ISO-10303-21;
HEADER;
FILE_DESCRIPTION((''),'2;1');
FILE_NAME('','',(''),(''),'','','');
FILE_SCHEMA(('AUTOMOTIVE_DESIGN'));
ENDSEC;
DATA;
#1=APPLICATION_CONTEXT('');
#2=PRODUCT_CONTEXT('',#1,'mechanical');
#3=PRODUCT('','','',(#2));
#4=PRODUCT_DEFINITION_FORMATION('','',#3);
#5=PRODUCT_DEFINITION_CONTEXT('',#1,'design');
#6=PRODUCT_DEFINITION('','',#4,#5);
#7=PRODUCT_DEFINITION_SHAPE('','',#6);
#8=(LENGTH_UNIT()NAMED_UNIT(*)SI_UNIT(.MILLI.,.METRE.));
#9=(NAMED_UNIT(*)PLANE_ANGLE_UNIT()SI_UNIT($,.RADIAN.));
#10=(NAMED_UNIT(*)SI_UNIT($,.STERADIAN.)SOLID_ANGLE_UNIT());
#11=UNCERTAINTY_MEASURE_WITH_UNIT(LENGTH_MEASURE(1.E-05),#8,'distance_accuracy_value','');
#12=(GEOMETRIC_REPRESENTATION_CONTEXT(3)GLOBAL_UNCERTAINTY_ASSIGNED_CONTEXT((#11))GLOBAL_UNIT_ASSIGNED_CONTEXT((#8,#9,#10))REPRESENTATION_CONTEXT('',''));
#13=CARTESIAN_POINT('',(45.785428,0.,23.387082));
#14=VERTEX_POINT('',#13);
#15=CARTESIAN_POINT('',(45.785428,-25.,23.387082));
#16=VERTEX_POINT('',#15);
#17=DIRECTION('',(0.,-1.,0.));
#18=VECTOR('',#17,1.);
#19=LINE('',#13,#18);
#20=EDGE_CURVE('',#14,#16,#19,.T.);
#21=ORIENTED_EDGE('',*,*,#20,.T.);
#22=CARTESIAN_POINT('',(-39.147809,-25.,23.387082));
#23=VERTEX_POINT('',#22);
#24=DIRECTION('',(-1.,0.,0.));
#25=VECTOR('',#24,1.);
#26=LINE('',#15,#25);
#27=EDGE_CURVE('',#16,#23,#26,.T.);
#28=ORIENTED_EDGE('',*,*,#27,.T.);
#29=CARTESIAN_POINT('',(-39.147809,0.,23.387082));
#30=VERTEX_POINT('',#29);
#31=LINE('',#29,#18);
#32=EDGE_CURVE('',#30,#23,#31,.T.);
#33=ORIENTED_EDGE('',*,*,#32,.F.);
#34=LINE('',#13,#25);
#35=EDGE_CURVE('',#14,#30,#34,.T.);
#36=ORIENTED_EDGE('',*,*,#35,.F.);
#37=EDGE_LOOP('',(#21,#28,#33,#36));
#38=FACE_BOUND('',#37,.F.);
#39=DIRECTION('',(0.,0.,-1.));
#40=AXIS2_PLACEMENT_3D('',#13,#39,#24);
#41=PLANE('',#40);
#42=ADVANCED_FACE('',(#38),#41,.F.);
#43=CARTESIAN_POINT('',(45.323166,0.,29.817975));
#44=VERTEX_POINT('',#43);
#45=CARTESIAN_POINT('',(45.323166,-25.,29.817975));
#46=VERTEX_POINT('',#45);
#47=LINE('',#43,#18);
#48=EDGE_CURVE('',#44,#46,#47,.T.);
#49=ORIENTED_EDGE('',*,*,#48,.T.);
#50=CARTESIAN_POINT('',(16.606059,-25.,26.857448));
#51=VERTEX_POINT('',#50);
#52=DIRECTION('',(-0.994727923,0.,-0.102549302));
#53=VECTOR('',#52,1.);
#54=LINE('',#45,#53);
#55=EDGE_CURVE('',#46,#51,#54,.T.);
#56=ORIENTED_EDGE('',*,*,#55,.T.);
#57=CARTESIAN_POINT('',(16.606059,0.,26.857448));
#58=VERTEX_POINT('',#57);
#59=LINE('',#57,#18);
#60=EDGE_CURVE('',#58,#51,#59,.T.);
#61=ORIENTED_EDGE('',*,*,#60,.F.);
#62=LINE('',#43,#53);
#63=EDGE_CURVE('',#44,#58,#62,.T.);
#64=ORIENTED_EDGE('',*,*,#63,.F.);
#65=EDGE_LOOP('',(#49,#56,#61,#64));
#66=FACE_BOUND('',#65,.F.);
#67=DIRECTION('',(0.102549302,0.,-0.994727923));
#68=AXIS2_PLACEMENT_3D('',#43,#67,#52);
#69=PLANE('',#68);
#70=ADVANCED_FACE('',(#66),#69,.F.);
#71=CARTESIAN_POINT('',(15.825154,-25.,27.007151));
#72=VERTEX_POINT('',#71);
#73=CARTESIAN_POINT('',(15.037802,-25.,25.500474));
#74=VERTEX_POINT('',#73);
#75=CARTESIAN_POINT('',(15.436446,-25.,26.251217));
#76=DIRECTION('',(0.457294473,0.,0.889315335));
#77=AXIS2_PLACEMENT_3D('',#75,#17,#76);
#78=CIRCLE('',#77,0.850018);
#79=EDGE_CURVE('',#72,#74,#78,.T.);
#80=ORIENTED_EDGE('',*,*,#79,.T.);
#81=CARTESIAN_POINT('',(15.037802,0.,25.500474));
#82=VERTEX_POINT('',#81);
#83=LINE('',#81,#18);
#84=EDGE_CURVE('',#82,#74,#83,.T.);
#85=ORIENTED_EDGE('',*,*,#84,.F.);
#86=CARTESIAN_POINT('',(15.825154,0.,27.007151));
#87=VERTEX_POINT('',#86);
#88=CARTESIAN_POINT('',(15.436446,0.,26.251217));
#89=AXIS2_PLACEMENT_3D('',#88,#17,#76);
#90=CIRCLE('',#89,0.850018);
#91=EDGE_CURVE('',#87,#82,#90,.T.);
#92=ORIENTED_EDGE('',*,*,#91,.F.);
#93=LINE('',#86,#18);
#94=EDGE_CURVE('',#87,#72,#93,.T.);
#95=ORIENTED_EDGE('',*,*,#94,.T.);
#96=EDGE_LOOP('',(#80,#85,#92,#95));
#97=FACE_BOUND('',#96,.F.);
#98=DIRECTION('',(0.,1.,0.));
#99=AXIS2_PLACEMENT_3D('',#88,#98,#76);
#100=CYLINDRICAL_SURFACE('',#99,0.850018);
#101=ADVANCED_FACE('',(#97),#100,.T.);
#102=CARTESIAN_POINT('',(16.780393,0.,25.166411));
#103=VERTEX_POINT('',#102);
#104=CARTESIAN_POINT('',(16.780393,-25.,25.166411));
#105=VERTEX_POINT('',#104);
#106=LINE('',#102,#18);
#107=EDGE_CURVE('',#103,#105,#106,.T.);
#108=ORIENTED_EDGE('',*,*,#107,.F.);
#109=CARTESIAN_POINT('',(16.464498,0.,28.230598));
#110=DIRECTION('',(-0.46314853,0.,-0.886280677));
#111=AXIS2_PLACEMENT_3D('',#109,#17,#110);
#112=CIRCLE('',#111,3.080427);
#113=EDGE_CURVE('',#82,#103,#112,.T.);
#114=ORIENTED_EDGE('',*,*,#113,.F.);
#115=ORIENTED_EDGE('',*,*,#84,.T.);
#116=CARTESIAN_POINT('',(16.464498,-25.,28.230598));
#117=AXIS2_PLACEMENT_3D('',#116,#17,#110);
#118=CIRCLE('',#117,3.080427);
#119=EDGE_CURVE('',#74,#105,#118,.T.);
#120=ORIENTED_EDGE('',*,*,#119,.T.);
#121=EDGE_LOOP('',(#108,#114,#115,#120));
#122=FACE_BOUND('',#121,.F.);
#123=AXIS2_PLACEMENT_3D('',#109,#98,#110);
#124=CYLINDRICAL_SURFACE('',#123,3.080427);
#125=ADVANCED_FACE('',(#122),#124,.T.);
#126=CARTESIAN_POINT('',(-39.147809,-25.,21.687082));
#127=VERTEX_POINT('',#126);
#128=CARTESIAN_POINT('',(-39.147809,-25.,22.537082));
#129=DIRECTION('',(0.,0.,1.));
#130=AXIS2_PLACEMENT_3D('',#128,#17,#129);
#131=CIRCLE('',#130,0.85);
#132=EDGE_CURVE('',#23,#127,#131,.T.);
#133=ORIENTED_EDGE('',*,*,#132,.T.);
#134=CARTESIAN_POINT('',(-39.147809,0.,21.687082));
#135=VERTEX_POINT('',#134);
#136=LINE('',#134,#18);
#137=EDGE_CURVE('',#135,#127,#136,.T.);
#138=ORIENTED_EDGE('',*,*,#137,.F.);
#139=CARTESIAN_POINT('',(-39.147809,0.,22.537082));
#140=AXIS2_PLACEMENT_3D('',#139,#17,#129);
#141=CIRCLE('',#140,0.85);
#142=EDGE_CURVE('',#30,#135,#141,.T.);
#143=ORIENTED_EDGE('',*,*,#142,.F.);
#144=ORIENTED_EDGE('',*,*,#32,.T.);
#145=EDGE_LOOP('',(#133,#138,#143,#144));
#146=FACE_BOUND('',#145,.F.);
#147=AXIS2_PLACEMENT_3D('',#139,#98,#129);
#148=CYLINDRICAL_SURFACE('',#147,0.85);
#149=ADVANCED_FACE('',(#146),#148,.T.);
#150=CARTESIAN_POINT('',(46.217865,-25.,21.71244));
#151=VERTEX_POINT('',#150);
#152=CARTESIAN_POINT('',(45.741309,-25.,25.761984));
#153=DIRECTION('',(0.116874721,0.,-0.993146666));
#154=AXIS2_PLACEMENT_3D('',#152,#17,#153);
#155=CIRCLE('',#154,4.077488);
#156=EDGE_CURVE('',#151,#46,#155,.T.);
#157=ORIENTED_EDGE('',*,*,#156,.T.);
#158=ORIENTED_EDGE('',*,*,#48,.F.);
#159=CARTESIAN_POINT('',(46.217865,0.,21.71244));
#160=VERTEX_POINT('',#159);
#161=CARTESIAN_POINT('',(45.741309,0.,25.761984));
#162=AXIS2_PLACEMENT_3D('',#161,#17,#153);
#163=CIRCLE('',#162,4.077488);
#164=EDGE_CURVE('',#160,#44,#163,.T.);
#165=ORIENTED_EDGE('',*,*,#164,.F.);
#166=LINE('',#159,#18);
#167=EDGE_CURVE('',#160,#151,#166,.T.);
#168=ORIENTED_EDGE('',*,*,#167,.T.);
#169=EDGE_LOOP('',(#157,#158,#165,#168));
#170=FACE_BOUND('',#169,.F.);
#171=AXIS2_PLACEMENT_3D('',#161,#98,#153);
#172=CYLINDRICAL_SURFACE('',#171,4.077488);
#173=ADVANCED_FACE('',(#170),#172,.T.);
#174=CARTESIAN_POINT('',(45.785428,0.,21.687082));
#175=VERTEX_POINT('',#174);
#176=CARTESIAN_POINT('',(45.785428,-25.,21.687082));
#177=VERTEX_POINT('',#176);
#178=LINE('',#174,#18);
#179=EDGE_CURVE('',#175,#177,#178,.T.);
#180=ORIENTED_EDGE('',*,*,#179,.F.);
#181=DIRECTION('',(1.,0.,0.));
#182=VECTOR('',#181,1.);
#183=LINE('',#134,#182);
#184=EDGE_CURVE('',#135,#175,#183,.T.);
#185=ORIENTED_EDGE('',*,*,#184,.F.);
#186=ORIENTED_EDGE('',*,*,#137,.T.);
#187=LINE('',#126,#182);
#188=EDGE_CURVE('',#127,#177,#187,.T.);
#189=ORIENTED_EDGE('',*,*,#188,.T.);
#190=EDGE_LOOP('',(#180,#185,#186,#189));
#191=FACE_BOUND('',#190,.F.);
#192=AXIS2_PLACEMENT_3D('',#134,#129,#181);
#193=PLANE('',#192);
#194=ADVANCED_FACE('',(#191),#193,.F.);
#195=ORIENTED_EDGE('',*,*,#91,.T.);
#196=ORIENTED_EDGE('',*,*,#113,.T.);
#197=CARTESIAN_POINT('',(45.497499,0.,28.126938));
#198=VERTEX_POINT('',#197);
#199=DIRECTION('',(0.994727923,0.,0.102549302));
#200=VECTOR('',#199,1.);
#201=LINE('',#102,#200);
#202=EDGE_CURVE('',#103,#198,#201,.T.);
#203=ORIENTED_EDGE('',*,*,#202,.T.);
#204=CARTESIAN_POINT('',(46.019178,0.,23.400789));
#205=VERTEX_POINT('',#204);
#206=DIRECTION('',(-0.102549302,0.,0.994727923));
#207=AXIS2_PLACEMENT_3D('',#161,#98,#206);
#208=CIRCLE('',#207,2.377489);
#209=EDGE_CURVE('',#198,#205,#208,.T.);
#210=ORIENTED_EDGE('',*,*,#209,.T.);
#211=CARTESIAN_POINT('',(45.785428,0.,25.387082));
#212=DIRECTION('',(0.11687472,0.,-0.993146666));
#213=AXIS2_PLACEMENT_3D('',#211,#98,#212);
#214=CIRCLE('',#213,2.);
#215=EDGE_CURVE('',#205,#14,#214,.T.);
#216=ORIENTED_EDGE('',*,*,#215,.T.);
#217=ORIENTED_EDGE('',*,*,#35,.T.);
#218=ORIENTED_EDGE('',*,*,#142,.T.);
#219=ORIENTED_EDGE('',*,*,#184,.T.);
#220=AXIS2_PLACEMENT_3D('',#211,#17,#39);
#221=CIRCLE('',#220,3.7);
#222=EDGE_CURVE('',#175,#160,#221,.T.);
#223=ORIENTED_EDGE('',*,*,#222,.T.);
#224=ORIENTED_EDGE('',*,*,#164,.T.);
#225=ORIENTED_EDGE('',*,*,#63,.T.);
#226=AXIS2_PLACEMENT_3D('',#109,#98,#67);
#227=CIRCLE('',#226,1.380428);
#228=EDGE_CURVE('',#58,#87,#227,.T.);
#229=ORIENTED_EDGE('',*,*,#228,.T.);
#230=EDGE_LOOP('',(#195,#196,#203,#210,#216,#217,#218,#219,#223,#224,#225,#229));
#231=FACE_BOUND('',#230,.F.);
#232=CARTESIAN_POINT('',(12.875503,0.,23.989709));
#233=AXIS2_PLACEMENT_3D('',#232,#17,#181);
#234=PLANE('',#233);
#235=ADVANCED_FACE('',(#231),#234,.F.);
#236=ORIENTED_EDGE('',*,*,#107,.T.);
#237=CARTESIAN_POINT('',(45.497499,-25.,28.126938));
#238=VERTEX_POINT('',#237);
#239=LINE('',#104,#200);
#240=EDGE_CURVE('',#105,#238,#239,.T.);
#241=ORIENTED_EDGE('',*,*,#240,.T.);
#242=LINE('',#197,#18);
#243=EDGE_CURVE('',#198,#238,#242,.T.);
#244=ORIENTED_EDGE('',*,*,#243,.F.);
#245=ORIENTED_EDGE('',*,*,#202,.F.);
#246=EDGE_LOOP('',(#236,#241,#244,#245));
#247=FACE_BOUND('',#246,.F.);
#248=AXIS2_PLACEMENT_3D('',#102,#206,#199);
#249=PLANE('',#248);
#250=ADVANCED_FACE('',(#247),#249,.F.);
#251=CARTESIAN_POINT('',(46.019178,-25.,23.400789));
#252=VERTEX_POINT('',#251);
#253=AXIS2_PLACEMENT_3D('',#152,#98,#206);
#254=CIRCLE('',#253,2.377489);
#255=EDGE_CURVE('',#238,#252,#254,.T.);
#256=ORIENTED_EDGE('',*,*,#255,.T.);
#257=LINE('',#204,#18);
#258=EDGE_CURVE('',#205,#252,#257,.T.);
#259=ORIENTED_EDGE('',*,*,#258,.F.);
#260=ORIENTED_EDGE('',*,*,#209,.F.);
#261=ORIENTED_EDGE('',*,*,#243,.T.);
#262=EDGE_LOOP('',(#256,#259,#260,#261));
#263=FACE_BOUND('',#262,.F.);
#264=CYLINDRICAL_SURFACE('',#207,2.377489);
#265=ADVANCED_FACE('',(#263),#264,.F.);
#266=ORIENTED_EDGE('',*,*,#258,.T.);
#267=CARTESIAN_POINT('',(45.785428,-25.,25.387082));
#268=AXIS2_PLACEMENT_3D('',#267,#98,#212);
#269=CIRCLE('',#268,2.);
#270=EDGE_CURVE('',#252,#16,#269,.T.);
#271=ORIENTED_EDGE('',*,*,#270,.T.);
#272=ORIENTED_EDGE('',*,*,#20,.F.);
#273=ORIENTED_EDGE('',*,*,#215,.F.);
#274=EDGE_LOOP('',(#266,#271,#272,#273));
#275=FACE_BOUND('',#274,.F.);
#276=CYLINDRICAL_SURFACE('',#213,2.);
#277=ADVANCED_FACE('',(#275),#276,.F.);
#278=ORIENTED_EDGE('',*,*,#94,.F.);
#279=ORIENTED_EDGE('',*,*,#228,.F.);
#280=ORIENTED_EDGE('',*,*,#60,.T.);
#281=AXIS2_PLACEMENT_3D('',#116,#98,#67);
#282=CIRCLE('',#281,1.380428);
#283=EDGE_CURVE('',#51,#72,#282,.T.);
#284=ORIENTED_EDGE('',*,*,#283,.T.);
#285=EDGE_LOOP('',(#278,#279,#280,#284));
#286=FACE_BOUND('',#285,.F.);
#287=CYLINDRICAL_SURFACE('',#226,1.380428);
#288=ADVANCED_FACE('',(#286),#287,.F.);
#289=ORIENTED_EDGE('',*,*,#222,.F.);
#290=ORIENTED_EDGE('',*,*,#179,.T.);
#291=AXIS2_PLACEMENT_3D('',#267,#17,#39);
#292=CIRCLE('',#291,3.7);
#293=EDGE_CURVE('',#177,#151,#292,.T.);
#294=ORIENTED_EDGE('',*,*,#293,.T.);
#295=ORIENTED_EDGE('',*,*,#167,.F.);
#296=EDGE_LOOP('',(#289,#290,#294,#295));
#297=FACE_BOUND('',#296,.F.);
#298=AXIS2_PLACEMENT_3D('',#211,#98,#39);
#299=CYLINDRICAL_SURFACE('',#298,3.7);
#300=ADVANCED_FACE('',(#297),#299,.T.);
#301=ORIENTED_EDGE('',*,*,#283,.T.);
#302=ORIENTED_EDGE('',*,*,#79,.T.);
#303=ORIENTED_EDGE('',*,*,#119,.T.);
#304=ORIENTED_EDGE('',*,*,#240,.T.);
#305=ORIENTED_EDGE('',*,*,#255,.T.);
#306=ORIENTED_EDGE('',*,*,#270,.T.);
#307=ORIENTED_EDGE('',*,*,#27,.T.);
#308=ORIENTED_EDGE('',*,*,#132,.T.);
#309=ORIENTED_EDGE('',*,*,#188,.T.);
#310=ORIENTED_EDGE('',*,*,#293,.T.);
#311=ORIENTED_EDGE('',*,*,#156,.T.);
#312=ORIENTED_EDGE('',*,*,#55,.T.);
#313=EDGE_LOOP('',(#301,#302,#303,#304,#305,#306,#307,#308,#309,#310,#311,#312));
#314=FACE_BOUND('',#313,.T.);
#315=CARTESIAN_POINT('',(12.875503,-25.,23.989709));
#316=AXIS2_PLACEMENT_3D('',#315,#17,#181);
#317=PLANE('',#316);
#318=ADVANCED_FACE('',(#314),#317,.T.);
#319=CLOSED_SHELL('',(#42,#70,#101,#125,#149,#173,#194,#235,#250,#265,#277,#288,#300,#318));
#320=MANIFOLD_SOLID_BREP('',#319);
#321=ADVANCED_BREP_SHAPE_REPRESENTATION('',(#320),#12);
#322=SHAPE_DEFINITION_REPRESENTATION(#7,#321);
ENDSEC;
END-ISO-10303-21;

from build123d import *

# Parameters (mm, degrees)
F1_DEPTH = 25


with BuildPart() as f1:
    # F0 (on Front) → F1 (new body)
    with BuildSketch(Plane.XZ):
        with BuildLine():
            Line((45.7854280798, 23.3870821038), (-39.147809339, 23.3870821038))
            ThreePointArc((-39.147809339, 23.3870821038), (-39.9978092392, 22.5370822037), (-39.147809339, 21.6870823036))
            Line((-39.147809339, 21.6870823036), (45.7854280798, 21.6870823036))
            ThreePointArc((45.7854280798, 21.6870823036), (46.0020177098, 21.6934270774), (46.2178645223, 21.7124396389))
            ThreePointArc((46.2178645223, 21.7124396389), (49.7941822228, 26.2093447117), (45.3231656181, 29.8179752068))
            Line((45.3231656181, 29.8179752068), (16.6060594099, 26.8574478911))
            ThreePointArc((16.6060594099, 26.8574478911), (16.2045950097, 26.8748577315), (15.8251544566, 27.0071514722))
            ThreePointArc((15.8251544566, 27.0071514722), (14.6830908852, 26.6449018554), (15.037802048, 25.5004744977))
            ThreePointArc((15.037802048, 25.5004744977), (15.8845244931, 25.2052607187), (16.7803932023, 25.1664106207))
            Line((16.7803932023, 25.1664106207), (45.4974994105, 28.1269379365))
            ThreePointArc((45.4974994105, 28.1269379365), (48.1044451468, 26.0228294719), (46.0191775208, 23.4007887723))
            ThreePointArc((46.0191775208, 23.4007887723), (45.9025035618, 23.3905117115), (45.7854280798, 23.3870821038))
        make_face()
    extrude(amount=F1_DEPTH)


solid = f1.part
